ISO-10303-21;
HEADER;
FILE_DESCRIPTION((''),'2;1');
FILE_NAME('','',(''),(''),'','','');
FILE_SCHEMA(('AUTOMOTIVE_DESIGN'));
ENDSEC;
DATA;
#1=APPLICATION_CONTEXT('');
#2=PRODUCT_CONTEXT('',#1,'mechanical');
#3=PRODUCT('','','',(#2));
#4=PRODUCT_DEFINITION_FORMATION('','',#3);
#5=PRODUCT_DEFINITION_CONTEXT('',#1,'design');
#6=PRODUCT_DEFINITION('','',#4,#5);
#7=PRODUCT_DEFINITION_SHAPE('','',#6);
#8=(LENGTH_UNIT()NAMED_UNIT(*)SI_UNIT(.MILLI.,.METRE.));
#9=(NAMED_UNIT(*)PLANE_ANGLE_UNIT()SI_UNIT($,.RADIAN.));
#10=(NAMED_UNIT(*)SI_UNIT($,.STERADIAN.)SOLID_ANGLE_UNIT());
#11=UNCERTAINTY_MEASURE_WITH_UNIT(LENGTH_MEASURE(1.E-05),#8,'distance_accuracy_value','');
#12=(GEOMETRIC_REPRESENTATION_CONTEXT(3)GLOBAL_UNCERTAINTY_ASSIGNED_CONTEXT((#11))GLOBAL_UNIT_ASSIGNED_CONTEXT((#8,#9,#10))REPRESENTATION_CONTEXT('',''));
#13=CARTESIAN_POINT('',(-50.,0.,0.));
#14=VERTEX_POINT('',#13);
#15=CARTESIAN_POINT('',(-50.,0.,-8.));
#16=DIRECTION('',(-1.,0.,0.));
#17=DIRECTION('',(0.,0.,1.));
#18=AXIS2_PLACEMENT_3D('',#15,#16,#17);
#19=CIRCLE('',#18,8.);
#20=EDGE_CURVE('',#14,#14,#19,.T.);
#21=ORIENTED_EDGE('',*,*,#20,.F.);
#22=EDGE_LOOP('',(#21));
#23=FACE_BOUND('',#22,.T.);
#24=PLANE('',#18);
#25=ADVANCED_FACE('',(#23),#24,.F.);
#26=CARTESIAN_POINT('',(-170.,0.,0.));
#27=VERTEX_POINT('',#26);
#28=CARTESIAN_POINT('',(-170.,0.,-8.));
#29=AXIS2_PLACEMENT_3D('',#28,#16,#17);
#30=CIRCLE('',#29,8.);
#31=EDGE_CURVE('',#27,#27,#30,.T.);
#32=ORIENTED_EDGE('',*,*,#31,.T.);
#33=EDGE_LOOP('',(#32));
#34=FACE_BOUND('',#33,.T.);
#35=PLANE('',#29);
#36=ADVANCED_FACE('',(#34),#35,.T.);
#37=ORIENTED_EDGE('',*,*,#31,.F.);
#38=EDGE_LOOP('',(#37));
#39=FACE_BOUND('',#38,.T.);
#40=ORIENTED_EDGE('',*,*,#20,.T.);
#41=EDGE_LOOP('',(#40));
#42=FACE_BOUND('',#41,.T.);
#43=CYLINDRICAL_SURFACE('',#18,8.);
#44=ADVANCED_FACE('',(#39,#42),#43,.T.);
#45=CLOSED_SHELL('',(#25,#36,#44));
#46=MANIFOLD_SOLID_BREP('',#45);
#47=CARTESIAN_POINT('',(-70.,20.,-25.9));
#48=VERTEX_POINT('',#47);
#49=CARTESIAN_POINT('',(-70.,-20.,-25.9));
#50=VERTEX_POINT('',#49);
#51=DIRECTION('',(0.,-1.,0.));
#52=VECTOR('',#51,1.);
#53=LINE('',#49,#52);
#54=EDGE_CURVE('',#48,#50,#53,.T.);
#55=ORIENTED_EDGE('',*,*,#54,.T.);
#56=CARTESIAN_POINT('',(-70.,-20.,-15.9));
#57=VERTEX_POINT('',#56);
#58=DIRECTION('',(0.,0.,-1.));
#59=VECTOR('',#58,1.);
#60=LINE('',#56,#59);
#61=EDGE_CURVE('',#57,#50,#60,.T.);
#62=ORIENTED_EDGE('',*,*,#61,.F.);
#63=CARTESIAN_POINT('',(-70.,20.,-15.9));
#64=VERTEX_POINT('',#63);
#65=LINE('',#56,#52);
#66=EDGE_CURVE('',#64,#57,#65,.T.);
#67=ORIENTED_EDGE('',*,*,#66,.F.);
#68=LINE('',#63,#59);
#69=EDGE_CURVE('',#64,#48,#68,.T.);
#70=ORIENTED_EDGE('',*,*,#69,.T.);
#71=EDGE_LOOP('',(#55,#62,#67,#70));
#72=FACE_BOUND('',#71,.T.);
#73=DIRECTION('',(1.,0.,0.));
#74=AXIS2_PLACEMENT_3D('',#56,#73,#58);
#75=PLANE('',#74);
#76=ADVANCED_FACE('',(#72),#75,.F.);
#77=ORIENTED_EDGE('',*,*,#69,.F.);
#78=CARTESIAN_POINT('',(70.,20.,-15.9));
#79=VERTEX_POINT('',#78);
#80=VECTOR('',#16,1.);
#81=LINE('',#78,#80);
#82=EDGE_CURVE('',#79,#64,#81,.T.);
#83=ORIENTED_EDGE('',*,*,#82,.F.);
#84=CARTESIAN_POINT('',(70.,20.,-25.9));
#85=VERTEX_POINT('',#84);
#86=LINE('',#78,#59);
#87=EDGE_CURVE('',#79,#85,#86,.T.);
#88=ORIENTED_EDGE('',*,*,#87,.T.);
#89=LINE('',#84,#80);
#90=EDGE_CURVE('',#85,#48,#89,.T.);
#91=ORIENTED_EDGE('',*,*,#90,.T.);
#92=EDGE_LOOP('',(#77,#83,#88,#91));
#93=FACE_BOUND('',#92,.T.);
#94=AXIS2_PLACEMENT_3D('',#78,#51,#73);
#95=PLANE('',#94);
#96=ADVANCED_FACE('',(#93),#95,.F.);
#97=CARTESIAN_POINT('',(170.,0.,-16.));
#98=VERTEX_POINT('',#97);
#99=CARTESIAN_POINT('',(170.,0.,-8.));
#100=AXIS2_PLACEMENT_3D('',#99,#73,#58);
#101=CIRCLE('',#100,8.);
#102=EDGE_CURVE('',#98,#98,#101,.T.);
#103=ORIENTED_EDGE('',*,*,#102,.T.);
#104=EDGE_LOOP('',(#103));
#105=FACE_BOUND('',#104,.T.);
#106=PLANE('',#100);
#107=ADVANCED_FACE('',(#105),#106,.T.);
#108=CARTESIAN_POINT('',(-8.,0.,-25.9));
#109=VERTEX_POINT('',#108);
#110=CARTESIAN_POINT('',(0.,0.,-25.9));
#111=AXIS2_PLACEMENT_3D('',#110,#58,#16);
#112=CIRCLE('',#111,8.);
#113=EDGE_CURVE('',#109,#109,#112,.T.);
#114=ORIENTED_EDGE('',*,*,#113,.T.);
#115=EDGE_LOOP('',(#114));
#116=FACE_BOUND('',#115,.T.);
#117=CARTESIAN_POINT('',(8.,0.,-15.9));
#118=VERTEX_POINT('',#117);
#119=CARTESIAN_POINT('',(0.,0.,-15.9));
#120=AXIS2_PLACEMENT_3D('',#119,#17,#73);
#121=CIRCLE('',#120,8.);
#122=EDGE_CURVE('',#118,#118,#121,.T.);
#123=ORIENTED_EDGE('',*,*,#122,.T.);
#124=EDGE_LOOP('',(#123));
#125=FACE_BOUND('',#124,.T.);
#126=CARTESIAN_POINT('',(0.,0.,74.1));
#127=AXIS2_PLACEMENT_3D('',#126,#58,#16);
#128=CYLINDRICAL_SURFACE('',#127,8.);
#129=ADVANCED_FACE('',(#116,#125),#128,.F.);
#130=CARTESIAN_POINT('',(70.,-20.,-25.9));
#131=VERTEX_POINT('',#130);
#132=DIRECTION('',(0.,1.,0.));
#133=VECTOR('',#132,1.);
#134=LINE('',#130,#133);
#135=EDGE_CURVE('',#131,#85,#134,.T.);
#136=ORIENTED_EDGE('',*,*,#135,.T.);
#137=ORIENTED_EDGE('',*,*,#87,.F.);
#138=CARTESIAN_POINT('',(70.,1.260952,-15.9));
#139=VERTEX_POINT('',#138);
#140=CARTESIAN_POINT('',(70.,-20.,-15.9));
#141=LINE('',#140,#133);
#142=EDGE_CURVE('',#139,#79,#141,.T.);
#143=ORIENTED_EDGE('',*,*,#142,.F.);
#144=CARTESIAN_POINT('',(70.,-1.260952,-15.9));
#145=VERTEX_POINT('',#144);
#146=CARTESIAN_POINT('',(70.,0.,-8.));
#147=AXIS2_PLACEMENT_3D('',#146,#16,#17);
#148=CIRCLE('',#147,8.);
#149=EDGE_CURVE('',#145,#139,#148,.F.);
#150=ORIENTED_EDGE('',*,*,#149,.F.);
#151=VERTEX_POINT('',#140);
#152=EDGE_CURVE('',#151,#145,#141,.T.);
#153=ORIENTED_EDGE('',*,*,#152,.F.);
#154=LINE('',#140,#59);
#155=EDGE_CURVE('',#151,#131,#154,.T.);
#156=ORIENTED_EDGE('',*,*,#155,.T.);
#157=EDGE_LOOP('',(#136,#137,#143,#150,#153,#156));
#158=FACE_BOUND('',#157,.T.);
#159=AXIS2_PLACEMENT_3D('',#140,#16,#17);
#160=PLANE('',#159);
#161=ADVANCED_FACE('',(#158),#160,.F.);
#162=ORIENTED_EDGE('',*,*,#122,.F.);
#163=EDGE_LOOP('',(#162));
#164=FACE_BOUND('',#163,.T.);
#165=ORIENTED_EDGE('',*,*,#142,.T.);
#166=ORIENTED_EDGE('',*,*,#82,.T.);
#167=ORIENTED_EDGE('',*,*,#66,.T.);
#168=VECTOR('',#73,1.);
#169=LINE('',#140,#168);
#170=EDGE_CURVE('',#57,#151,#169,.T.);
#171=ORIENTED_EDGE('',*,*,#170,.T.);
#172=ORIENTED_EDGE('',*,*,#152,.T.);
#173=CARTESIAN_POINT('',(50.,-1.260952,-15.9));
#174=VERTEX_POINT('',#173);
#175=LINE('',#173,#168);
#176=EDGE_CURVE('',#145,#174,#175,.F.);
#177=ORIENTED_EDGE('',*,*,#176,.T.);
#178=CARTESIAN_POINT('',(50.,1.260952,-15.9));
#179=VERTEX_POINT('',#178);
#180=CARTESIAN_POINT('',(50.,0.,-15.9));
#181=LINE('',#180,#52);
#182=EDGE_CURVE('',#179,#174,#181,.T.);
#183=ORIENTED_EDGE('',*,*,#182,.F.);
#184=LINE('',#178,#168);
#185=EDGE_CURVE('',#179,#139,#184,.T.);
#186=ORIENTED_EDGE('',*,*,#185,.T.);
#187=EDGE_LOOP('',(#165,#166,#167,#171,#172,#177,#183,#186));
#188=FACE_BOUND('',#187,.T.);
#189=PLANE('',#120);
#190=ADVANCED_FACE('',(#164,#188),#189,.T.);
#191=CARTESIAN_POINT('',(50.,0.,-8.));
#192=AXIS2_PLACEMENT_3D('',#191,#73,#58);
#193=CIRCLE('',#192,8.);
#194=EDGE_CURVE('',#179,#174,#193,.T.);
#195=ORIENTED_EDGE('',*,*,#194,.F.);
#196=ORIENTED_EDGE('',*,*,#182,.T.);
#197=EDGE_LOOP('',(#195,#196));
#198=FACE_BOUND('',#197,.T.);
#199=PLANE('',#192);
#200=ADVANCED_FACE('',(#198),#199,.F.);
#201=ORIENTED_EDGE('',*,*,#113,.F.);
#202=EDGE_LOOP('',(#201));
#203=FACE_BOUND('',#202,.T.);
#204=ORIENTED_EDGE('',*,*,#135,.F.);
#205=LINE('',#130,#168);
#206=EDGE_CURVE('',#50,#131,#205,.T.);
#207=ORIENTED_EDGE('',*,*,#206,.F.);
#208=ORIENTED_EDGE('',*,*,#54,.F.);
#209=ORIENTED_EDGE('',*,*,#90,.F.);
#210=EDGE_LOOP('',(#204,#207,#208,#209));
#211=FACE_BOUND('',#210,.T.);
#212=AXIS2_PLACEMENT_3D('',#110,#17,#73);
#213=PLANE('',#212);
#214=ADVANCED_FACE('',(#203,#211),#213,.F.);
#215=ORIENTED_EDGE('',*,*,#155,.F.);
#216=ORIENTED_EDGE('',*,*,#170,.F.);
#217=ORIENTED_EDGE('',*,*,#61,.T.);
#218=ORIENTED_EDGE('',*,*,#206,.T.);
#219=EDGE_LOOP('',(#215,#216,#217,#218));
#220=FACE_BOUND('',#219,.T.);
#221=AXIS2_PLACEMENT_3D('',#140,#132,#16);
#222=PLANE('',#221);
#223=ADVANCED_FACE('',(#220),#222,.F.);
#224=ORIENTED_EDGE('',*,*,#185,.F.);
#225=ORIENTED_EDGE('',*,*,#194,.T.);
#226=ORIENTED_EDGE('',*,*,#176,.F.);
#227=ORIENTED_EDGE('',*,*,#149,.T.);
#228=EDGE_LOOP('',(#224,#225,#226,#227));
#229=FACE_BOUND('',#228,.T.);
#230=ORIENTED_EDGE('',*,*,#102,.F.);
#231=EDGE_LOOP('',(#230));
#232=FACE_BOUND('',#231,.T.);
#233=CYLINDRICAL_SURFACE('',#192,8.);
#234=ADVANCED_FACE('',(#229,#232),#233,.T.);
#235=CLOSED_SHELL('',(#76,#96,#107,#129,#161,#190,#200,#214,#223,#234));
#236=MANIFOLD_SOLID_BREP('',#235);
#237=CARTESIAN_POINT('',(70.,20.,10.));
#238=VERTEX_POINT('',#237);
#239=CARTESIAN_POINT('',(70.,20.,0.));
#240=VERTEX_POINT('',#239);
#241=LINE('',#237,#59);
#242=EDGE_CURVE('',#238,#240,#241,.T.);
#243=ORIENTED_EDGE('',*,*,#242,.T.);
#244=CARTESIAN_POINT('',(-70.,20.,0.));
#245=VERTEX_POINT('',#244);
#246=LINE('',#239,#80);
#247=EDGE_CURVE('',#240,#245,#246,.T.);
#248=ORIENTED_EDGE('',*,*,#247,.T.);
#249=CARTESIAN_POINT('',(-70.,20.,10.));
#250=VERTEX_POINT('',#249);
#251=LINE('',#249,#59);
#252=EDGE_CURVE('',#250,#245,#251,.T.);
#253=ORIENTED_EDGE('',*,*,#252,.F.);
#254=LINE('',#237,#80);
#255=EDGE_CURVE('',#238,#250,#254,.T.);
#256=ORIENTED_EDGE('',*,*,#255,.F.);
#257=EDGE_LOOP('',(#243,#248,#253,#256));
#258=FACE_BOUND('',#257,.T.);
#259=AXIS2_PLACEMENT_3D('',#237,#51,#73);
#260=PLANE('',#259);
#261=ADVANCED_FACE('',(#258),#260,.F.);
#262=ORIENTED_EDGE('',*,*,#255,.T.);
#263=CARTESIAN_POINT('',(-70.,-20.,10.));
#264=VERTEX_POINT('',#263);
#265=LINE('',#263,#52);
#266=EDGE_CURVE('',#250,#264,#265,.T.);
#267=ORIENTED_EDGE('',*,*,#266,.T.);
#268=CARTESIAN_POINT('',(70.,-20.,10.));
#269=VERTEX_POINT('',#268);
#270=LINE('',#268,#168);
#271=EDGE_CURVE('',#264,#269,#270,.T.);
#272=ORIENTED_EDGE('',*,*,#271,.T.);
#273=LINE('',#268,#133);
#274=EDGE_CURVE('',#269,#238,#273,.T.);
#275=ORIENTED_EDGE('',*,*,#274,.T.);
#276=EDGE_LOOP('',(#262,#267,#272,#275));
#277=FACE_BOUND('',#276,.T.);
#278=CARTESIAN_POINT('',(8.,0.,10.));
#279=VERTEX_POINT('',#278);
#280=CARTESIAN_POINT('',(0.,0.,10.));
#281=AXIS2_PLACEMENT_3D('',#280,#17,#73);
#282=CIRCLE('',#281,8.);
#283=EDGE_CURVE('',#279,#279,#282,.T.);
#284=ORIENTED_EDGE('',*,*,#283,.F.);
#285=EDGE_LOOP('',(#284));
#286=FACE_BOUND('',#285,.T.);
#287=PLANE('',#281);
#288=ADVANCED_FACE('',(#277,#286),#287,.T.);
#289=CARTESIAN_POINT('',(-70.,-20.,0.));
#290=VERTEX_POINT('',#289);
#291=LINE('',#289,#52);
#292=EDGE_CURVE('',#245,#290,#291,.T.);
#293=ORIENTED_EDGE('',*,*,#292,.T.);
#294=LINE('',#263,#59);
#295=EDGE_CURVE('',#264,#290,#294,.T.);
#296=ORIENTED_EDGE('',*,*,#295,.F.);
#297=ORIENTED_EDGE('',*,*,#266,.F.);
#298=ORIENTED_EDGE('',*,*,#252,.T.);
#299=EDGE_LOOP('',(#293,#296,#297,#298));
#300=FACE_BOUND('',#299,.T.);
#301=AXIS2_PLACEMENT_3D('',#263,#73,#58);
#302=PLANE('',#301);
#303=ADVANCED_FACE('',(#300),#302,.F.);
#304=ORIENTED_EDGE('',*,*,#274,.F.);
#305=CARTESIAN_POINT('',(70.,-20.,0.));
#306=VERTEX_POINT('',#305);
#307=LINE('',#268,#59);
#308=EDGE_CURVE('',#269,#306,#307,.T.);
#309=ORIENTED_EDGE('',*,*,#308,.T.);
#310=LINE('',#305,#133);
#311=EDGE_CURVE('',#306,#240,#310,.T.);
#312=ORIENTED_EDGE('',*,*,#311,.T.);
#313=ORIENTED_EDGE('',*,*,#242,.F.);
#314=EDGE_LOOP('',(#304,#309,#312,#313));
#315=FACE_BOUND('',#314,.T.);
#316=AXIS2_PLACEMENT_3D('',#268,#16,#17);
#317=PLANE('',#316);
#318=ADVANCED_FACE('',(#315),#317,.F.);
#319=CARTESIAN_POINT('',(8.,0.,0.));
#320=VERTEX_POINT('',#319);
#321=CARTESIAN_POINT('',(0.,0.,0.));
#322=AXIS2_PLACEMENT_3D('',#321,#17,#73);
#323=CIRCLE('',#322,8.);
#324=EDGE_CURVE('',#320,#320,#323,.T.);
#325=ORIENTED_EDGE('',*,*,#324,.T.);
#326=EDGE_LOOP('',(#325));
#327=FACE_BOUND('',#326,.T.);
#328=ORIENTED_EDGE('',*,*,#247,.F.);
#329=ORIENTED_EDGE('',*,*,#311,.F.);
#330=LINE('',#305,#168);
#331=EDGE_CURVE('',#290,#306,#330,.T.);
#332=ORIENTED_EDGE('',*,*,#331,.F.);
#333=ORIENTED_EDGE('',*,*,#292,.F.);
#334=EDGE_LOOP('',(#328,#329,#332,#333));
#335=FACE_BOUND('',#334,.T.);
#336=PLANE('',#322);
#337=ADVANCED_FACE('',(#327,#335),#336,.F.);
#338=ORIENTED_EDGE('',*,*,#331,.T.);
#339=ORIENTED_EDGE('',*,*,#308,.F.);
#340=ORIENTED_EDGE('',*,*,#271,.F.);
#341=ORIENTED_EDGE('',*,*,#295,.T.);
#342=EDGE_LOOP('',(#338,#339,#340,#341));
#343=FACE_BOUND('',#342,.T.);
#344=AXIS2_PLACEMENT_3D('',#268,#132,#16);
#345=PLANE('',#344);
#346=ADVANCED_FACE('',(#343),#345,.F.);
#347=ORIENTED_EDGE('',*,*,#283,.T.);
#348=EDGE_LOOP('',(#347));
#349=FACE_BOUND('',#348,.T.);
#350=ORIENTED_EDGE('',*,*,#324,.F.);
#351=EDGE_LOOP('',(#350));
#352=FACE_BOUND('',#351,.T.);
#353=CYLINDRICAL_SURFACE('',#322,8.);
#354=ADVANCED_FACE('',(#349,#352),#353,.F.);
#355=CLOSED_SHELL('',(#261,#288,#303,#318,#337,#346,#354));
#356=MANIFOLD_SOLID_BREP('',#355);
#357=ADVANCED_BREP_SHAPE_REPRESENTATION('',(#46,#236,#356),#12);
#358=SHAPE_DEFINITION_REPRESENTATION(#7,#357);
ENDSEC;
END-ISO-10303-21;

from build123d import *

# Parameters (mm, degrees)
SKETCH1_W                = 140
SKETCH1_H                = 40
BOSS_EXTRUDE1_DEPTH      = 10
SKETCH4_R                = 8
CUT_EXTRUDE1_DEPTH       = 10
BOSS_EXTRUDE2_DEPTH      = 100
BOSS_EXTRUDE2_DEPTH_BACK = 20
SKETCH5_R                = 8
LPATTERN1_COUNT          = 2
LPATTERN1_PITCH          = 25.9
CUT_EXTRUDE2_START       = -100
SKETCH6_R                = 8
CUT_EXTRUDE2_DEPTH       = 100
BOSS_EXTRUDE3_DEPTH      = 100
BOSS_EXTRUDE3_DEPTH_BACK = 20
SKETCH7_R                = 8


with BuildPart() as part:
    # Sketch1 → Boss-Extrude1 (new body)
    with BuildSketch(Plane.XY):
        Rectangle(SKETCH1_W, SKETCH1_H)
    boss_extrude1 = extrude(amount=BOSS_EXTRUDE1_DEPTH)

    # Sketch4 → Cut-Extrude1 (cut)
    with BuildSketch(Plane.XY.offset(10)):
        Circle(SKETCH4_R)
    extrude(amount=-CUT_EXTRUDE1_DEPTH, mode=Mode.SUBTRACT)


with BuildPart() as body_2:
    # Sketch5 → Boss-Extrude2 (new, two sides: drawn at the far end of the back side and taken through both)
    with BuildSketch(Plane(origin=(70, 0, 0), x_dir=(0, 0, -1), z_dir=(1, 0, 0)).offset(-BOSS_EXTRUDE2_DEPTH_BACK)):
        with Locations((8, 0)):
            Circle(SKETCH5_R)
    extrude(amount=BOSS_EXTRUDE2_DEPTH + BOSS_EXTRUDE2_DEPTH_BACK)

    # LPattern1: Boss-Extrude1 ×2
    with Locations(*[(0, 0, -i * LPATTERN1_PITCH) for i in range(1, LPATTERN1_COUNT)]):
        add(boss_extrude1)

    # Sketch6 → Cut-Extrude2 (cut)
    with BuildSketch(Plane(origin=(0, 0, -25.9), x_dir=(-1, 0, 0), z_dir=(0, 0, -1)).offset(CUT_EXTRUDE2_START)):
        Circle(SKETCH6_R)
    extrude(amount=CUT_EXTRUDE2_DEPTH, mode=Mode.SUBTRACT)


with BuildPart() as body_3:
    # Sketch7 → Boss-Extrude3 (new, two sides: drawn at the far end of the back side and taken through both)
    with BuildSketch(Plane.ZY.offset(70).offset(-BOSS_EXTRUDE3_DEPTH_BACK)):
        with Locations((-8, 0)):
            Circle(SKETCH7_R)
    extrude(amount=BOSS_EXTRUDE3_DEPTH + BOSS_EXTRUDE3_DEPTH_BACK)


solid = Compound([part.part, body_2.part, body_3.part])
